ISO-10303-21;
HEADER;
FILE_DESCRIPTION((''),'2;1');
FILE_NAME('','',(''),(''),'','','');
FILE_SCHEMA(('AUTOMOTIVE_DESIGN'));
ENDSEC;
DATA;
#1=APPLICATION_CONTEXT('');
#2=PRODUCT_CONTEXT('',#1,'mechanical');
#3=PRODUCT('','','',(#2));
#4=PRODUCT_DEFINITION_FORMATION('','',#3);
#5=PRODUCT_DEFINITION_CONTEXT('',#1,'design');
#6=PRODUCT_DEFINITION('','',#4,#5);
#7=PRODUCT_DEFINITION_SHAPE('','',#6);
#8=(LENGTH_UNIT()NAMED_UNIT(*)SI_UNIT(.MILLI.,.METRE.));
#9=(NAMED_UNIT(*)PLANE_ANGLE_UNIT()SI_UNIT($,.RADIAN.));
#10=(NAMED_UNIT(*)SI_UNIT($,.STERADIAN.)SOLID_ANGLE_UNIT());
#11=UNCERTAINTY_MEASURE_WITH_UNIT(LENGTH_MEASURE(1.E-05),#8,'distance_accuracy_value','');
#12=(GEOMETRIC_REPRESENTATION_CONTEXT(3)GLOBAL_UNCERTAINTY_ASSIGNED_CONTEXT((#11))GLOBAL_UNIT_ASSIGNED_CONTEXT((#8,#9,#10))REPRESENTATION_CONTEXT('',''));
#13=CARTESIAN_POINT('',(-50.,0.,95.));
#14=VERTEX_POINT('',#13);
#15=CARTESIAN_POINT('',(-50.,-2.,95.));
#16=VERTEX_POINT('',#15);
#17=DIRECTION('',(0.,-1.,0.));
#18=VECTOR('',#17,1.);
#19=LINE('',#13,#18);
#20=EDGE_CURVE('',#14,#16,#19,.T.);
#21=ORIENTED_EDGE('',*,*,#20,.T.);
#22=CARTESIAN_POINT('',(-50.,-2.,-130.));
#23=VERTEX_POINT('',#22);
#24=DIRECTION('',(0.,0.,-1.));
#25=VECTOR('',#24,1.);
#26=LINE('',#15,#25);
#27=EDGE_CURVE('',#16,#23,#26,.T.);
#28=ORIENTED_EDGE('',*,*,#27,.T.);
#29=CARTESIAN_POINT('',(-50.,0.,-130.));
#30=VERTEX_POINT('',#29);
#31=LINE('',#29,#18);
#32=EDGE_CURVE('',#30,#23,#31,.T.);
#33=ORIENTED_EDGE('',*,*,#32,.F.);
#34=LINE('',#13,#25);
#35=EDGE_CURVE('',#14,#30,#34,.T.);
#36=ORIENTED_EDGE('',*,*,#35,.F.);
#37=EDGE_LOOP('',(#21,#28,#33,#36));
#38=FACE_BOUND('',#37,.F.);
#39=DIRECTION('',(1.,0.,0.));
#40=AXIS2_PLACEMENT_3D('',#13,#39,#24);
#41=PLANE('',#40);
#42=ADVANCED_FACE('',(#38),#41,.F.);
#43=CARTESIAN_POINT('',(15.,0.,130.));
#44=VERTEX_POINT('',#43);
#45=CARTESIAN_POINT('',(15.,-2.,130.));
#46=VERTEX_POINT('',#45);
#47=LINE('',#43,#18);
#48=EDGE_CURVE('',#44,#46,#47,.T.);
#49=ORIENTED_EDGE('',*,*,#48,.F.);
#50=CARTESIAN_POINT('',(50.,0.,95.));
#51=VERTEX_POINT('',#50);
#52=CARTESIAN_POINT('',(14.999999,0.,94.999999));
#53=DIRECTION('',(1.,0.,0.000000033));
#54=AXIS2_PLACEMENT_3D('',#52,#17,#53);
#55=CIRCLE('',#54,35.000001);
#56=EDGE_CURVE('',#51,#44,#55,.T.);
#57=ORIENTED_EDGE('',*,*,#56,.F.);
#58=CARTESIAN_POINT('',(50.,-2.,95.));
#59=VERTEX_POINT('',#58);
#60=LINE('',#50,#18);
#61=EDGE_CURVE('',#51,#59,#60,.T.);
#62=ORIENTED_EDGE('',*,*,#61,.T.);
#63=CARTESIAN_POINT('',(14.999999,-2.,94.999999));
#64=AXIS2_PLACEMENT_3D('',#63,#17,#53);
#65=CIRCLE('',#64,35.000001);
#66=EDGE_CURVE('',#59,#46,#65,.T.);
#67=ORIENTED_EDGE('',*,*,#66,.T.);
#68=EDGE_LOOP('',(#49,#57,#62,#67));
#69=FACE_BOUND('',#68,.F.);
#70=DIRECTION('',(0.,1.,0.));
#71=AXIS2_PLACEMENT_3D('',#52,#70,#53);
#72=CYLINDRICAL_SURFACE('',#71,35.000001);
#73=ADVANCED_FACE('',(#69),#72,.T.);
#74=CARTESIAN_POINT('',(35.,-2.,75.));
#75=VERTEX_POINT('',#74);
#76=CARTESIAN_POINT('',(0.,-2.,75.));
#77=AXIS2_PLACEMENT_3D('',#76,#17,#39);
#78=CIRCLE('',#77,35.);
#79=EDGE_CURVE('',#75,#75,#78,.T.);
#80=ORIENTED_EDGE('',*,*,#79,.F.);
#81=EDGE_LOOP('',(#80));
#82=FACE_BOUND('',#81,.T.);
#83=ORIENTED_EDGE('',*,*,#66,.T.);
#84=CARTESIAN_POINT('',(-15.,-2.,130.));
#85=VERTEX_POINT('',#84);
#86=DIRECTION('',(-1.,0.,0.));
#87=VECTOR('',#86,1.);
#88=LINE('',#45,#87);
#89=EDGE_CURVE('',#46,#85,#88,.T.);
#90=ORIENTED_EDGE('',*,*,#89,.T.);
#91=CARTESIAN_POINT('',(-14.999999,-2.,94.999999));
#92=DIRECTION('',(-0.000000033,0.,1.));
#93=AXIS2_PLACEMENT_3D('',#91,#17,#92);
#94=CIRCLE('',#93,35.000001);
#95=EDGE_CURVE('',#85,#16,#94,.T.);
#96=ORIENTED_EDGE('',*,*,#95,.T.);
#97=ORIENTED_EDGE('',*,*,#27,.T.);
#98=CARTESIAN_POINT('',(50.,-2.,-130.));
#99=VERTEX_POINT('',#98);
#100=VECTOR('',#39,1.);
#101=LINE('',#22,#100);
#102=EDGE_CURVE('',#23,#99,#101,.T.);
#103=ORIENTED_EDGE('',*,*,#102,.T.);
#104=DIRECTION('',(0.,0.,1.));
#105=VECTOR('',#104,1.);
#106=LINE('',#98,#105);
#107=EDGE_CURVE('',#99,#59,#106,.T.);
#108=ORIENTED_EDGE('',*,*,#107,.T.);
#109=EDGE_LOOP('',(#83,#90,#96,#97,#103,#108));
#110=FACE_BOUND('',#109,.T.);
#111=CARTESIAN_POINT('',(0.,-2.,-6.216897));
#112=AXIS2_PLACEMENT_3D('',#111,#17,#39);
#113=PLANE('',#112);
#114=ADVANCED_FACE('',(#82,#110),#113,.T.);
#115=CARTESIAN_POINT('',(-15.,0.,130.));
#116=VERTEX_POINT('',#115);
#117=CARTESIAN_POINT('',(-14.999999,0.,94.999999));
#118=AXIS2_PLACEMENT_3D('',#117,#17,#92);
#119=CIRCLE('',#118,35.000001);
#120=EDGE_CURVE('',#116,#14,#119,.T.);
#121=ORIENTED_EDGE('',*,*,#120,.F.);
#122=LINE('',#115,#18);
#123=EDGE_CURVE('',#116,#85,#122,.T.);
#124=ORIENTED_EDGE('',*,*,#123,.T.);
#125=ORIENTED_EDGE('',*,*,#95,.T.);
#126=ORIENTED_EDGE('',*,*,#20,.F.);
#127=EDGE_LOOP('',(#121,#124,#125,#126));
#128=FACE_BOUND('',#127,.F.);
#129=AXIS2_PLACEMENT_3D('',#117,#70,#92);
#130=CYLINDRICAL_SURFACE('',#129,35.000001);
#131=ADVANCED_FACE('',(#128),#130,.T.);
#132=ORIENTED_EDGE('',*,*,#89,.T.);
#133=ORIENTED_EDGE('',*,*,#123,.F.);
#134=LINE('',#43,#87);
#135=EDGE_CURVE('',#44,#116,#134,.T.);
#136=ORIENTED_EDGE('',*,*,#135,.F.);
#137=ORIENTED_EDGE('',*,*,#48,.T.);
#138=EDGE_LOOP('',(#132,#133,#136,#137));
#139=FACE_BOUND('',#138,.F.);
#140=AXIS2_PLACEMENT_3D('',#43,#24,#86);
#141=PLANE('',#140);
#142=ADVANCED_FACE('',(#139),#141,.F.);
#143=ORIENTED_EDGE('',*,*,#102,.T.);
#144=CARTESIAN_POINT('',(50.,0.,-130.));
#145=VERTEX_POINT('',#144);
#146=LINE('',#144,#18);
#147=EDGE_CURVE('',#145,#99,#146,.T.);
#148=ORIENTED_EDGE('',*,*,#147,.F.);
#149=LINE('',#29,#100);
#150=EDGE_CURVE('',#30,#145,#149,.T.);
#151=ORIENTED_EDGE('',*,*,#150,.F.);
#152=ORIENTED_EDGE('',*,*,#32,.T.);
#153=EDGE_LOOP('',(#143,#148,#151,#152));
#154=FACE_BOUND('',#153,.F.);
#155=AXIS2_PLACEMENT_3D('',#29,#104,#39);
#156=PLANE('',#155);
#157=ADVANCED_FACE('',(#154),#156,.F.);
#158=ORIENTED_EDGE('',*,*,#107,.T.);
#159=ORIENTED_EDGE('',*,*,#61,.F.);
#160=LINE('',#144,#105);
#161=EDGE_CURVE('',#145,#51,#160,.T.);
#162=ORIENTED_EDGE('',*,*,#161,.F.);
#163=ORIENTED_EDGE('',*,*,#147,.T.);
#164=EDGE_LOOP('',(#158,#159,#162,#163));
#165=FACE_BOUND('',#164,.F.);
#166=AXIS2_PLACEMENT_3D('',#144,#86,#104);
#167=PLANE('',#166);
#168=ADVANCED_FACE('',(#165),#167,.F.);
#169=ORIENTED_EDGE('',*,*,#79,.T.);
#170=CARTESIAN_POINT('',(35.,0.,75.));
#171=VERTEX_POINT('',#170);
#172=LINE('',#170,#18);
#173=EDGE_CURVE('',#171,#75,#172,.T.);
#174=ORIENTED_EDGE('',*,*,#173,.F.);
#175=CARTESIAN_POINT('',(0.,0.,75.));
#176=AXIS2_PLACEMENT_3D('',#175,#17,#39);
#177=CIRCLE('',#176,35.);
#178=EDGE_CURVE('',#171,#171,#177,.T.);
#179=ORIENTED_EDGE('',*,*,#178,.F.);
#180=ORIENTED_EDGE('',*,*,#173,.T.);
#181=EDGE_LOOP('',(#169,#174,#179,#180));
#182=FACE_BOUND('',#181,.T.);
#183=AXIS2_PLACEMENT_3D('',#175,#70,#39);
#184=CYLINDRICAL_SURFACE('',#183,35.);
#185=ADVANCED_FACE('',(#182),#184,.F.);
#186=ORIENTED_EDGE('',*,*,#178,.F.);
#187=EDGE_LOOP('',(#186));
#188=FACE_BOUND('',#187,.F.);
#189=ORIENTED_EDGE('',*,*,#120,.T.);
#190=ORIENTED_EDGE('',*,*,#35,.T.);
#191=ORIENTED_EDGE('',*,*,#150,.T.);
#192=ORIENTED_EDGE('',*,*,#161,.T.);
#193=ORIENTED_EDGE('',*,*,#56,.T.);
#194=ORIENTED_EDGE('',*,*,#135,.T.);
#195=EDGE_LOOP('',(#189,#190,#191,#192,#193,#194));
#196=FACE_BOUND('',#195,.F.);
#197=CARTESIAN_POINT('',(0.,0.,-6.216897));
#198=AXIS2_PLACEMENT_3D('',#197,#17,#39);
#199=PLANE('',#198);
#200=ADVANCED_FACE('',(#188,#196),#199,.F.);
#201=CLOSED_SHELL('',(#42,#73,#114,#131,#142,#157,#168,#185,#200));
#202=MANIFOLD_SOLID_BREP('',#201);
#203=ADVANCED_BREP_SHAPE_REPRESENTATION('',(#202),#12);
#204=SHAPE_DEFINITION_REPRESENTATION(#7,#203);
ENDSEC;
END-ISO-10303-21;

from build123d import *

# Parameters (mm, degrees)
F0_R     = 35
F1_DEPTH = 2


with BuildPart() as f1:
    # F0 (on Front) → F1 (new body)
    with BuildSketch(Plane.XZ):
        with BuildLine():
            Line((15, 130), (-15, 130))
            ThreePointArc((-15, 130), (-39.748737, 119.748737), (-50, 95))
            Line((-50, 95), (-50, -130))
            Line((-50, -130), (50, -130))
            Line((50, -130), (50, 95))
            ThreePointArc((50, 95), (39.748737, 119.748737), (15, 130))
        make_face()
        with Locations((0, 75)):
            Circle(F0_R, mode=Mode.SUBTRACT)
    extrude(amount=F1_DEPTH)


solid = f1.part
